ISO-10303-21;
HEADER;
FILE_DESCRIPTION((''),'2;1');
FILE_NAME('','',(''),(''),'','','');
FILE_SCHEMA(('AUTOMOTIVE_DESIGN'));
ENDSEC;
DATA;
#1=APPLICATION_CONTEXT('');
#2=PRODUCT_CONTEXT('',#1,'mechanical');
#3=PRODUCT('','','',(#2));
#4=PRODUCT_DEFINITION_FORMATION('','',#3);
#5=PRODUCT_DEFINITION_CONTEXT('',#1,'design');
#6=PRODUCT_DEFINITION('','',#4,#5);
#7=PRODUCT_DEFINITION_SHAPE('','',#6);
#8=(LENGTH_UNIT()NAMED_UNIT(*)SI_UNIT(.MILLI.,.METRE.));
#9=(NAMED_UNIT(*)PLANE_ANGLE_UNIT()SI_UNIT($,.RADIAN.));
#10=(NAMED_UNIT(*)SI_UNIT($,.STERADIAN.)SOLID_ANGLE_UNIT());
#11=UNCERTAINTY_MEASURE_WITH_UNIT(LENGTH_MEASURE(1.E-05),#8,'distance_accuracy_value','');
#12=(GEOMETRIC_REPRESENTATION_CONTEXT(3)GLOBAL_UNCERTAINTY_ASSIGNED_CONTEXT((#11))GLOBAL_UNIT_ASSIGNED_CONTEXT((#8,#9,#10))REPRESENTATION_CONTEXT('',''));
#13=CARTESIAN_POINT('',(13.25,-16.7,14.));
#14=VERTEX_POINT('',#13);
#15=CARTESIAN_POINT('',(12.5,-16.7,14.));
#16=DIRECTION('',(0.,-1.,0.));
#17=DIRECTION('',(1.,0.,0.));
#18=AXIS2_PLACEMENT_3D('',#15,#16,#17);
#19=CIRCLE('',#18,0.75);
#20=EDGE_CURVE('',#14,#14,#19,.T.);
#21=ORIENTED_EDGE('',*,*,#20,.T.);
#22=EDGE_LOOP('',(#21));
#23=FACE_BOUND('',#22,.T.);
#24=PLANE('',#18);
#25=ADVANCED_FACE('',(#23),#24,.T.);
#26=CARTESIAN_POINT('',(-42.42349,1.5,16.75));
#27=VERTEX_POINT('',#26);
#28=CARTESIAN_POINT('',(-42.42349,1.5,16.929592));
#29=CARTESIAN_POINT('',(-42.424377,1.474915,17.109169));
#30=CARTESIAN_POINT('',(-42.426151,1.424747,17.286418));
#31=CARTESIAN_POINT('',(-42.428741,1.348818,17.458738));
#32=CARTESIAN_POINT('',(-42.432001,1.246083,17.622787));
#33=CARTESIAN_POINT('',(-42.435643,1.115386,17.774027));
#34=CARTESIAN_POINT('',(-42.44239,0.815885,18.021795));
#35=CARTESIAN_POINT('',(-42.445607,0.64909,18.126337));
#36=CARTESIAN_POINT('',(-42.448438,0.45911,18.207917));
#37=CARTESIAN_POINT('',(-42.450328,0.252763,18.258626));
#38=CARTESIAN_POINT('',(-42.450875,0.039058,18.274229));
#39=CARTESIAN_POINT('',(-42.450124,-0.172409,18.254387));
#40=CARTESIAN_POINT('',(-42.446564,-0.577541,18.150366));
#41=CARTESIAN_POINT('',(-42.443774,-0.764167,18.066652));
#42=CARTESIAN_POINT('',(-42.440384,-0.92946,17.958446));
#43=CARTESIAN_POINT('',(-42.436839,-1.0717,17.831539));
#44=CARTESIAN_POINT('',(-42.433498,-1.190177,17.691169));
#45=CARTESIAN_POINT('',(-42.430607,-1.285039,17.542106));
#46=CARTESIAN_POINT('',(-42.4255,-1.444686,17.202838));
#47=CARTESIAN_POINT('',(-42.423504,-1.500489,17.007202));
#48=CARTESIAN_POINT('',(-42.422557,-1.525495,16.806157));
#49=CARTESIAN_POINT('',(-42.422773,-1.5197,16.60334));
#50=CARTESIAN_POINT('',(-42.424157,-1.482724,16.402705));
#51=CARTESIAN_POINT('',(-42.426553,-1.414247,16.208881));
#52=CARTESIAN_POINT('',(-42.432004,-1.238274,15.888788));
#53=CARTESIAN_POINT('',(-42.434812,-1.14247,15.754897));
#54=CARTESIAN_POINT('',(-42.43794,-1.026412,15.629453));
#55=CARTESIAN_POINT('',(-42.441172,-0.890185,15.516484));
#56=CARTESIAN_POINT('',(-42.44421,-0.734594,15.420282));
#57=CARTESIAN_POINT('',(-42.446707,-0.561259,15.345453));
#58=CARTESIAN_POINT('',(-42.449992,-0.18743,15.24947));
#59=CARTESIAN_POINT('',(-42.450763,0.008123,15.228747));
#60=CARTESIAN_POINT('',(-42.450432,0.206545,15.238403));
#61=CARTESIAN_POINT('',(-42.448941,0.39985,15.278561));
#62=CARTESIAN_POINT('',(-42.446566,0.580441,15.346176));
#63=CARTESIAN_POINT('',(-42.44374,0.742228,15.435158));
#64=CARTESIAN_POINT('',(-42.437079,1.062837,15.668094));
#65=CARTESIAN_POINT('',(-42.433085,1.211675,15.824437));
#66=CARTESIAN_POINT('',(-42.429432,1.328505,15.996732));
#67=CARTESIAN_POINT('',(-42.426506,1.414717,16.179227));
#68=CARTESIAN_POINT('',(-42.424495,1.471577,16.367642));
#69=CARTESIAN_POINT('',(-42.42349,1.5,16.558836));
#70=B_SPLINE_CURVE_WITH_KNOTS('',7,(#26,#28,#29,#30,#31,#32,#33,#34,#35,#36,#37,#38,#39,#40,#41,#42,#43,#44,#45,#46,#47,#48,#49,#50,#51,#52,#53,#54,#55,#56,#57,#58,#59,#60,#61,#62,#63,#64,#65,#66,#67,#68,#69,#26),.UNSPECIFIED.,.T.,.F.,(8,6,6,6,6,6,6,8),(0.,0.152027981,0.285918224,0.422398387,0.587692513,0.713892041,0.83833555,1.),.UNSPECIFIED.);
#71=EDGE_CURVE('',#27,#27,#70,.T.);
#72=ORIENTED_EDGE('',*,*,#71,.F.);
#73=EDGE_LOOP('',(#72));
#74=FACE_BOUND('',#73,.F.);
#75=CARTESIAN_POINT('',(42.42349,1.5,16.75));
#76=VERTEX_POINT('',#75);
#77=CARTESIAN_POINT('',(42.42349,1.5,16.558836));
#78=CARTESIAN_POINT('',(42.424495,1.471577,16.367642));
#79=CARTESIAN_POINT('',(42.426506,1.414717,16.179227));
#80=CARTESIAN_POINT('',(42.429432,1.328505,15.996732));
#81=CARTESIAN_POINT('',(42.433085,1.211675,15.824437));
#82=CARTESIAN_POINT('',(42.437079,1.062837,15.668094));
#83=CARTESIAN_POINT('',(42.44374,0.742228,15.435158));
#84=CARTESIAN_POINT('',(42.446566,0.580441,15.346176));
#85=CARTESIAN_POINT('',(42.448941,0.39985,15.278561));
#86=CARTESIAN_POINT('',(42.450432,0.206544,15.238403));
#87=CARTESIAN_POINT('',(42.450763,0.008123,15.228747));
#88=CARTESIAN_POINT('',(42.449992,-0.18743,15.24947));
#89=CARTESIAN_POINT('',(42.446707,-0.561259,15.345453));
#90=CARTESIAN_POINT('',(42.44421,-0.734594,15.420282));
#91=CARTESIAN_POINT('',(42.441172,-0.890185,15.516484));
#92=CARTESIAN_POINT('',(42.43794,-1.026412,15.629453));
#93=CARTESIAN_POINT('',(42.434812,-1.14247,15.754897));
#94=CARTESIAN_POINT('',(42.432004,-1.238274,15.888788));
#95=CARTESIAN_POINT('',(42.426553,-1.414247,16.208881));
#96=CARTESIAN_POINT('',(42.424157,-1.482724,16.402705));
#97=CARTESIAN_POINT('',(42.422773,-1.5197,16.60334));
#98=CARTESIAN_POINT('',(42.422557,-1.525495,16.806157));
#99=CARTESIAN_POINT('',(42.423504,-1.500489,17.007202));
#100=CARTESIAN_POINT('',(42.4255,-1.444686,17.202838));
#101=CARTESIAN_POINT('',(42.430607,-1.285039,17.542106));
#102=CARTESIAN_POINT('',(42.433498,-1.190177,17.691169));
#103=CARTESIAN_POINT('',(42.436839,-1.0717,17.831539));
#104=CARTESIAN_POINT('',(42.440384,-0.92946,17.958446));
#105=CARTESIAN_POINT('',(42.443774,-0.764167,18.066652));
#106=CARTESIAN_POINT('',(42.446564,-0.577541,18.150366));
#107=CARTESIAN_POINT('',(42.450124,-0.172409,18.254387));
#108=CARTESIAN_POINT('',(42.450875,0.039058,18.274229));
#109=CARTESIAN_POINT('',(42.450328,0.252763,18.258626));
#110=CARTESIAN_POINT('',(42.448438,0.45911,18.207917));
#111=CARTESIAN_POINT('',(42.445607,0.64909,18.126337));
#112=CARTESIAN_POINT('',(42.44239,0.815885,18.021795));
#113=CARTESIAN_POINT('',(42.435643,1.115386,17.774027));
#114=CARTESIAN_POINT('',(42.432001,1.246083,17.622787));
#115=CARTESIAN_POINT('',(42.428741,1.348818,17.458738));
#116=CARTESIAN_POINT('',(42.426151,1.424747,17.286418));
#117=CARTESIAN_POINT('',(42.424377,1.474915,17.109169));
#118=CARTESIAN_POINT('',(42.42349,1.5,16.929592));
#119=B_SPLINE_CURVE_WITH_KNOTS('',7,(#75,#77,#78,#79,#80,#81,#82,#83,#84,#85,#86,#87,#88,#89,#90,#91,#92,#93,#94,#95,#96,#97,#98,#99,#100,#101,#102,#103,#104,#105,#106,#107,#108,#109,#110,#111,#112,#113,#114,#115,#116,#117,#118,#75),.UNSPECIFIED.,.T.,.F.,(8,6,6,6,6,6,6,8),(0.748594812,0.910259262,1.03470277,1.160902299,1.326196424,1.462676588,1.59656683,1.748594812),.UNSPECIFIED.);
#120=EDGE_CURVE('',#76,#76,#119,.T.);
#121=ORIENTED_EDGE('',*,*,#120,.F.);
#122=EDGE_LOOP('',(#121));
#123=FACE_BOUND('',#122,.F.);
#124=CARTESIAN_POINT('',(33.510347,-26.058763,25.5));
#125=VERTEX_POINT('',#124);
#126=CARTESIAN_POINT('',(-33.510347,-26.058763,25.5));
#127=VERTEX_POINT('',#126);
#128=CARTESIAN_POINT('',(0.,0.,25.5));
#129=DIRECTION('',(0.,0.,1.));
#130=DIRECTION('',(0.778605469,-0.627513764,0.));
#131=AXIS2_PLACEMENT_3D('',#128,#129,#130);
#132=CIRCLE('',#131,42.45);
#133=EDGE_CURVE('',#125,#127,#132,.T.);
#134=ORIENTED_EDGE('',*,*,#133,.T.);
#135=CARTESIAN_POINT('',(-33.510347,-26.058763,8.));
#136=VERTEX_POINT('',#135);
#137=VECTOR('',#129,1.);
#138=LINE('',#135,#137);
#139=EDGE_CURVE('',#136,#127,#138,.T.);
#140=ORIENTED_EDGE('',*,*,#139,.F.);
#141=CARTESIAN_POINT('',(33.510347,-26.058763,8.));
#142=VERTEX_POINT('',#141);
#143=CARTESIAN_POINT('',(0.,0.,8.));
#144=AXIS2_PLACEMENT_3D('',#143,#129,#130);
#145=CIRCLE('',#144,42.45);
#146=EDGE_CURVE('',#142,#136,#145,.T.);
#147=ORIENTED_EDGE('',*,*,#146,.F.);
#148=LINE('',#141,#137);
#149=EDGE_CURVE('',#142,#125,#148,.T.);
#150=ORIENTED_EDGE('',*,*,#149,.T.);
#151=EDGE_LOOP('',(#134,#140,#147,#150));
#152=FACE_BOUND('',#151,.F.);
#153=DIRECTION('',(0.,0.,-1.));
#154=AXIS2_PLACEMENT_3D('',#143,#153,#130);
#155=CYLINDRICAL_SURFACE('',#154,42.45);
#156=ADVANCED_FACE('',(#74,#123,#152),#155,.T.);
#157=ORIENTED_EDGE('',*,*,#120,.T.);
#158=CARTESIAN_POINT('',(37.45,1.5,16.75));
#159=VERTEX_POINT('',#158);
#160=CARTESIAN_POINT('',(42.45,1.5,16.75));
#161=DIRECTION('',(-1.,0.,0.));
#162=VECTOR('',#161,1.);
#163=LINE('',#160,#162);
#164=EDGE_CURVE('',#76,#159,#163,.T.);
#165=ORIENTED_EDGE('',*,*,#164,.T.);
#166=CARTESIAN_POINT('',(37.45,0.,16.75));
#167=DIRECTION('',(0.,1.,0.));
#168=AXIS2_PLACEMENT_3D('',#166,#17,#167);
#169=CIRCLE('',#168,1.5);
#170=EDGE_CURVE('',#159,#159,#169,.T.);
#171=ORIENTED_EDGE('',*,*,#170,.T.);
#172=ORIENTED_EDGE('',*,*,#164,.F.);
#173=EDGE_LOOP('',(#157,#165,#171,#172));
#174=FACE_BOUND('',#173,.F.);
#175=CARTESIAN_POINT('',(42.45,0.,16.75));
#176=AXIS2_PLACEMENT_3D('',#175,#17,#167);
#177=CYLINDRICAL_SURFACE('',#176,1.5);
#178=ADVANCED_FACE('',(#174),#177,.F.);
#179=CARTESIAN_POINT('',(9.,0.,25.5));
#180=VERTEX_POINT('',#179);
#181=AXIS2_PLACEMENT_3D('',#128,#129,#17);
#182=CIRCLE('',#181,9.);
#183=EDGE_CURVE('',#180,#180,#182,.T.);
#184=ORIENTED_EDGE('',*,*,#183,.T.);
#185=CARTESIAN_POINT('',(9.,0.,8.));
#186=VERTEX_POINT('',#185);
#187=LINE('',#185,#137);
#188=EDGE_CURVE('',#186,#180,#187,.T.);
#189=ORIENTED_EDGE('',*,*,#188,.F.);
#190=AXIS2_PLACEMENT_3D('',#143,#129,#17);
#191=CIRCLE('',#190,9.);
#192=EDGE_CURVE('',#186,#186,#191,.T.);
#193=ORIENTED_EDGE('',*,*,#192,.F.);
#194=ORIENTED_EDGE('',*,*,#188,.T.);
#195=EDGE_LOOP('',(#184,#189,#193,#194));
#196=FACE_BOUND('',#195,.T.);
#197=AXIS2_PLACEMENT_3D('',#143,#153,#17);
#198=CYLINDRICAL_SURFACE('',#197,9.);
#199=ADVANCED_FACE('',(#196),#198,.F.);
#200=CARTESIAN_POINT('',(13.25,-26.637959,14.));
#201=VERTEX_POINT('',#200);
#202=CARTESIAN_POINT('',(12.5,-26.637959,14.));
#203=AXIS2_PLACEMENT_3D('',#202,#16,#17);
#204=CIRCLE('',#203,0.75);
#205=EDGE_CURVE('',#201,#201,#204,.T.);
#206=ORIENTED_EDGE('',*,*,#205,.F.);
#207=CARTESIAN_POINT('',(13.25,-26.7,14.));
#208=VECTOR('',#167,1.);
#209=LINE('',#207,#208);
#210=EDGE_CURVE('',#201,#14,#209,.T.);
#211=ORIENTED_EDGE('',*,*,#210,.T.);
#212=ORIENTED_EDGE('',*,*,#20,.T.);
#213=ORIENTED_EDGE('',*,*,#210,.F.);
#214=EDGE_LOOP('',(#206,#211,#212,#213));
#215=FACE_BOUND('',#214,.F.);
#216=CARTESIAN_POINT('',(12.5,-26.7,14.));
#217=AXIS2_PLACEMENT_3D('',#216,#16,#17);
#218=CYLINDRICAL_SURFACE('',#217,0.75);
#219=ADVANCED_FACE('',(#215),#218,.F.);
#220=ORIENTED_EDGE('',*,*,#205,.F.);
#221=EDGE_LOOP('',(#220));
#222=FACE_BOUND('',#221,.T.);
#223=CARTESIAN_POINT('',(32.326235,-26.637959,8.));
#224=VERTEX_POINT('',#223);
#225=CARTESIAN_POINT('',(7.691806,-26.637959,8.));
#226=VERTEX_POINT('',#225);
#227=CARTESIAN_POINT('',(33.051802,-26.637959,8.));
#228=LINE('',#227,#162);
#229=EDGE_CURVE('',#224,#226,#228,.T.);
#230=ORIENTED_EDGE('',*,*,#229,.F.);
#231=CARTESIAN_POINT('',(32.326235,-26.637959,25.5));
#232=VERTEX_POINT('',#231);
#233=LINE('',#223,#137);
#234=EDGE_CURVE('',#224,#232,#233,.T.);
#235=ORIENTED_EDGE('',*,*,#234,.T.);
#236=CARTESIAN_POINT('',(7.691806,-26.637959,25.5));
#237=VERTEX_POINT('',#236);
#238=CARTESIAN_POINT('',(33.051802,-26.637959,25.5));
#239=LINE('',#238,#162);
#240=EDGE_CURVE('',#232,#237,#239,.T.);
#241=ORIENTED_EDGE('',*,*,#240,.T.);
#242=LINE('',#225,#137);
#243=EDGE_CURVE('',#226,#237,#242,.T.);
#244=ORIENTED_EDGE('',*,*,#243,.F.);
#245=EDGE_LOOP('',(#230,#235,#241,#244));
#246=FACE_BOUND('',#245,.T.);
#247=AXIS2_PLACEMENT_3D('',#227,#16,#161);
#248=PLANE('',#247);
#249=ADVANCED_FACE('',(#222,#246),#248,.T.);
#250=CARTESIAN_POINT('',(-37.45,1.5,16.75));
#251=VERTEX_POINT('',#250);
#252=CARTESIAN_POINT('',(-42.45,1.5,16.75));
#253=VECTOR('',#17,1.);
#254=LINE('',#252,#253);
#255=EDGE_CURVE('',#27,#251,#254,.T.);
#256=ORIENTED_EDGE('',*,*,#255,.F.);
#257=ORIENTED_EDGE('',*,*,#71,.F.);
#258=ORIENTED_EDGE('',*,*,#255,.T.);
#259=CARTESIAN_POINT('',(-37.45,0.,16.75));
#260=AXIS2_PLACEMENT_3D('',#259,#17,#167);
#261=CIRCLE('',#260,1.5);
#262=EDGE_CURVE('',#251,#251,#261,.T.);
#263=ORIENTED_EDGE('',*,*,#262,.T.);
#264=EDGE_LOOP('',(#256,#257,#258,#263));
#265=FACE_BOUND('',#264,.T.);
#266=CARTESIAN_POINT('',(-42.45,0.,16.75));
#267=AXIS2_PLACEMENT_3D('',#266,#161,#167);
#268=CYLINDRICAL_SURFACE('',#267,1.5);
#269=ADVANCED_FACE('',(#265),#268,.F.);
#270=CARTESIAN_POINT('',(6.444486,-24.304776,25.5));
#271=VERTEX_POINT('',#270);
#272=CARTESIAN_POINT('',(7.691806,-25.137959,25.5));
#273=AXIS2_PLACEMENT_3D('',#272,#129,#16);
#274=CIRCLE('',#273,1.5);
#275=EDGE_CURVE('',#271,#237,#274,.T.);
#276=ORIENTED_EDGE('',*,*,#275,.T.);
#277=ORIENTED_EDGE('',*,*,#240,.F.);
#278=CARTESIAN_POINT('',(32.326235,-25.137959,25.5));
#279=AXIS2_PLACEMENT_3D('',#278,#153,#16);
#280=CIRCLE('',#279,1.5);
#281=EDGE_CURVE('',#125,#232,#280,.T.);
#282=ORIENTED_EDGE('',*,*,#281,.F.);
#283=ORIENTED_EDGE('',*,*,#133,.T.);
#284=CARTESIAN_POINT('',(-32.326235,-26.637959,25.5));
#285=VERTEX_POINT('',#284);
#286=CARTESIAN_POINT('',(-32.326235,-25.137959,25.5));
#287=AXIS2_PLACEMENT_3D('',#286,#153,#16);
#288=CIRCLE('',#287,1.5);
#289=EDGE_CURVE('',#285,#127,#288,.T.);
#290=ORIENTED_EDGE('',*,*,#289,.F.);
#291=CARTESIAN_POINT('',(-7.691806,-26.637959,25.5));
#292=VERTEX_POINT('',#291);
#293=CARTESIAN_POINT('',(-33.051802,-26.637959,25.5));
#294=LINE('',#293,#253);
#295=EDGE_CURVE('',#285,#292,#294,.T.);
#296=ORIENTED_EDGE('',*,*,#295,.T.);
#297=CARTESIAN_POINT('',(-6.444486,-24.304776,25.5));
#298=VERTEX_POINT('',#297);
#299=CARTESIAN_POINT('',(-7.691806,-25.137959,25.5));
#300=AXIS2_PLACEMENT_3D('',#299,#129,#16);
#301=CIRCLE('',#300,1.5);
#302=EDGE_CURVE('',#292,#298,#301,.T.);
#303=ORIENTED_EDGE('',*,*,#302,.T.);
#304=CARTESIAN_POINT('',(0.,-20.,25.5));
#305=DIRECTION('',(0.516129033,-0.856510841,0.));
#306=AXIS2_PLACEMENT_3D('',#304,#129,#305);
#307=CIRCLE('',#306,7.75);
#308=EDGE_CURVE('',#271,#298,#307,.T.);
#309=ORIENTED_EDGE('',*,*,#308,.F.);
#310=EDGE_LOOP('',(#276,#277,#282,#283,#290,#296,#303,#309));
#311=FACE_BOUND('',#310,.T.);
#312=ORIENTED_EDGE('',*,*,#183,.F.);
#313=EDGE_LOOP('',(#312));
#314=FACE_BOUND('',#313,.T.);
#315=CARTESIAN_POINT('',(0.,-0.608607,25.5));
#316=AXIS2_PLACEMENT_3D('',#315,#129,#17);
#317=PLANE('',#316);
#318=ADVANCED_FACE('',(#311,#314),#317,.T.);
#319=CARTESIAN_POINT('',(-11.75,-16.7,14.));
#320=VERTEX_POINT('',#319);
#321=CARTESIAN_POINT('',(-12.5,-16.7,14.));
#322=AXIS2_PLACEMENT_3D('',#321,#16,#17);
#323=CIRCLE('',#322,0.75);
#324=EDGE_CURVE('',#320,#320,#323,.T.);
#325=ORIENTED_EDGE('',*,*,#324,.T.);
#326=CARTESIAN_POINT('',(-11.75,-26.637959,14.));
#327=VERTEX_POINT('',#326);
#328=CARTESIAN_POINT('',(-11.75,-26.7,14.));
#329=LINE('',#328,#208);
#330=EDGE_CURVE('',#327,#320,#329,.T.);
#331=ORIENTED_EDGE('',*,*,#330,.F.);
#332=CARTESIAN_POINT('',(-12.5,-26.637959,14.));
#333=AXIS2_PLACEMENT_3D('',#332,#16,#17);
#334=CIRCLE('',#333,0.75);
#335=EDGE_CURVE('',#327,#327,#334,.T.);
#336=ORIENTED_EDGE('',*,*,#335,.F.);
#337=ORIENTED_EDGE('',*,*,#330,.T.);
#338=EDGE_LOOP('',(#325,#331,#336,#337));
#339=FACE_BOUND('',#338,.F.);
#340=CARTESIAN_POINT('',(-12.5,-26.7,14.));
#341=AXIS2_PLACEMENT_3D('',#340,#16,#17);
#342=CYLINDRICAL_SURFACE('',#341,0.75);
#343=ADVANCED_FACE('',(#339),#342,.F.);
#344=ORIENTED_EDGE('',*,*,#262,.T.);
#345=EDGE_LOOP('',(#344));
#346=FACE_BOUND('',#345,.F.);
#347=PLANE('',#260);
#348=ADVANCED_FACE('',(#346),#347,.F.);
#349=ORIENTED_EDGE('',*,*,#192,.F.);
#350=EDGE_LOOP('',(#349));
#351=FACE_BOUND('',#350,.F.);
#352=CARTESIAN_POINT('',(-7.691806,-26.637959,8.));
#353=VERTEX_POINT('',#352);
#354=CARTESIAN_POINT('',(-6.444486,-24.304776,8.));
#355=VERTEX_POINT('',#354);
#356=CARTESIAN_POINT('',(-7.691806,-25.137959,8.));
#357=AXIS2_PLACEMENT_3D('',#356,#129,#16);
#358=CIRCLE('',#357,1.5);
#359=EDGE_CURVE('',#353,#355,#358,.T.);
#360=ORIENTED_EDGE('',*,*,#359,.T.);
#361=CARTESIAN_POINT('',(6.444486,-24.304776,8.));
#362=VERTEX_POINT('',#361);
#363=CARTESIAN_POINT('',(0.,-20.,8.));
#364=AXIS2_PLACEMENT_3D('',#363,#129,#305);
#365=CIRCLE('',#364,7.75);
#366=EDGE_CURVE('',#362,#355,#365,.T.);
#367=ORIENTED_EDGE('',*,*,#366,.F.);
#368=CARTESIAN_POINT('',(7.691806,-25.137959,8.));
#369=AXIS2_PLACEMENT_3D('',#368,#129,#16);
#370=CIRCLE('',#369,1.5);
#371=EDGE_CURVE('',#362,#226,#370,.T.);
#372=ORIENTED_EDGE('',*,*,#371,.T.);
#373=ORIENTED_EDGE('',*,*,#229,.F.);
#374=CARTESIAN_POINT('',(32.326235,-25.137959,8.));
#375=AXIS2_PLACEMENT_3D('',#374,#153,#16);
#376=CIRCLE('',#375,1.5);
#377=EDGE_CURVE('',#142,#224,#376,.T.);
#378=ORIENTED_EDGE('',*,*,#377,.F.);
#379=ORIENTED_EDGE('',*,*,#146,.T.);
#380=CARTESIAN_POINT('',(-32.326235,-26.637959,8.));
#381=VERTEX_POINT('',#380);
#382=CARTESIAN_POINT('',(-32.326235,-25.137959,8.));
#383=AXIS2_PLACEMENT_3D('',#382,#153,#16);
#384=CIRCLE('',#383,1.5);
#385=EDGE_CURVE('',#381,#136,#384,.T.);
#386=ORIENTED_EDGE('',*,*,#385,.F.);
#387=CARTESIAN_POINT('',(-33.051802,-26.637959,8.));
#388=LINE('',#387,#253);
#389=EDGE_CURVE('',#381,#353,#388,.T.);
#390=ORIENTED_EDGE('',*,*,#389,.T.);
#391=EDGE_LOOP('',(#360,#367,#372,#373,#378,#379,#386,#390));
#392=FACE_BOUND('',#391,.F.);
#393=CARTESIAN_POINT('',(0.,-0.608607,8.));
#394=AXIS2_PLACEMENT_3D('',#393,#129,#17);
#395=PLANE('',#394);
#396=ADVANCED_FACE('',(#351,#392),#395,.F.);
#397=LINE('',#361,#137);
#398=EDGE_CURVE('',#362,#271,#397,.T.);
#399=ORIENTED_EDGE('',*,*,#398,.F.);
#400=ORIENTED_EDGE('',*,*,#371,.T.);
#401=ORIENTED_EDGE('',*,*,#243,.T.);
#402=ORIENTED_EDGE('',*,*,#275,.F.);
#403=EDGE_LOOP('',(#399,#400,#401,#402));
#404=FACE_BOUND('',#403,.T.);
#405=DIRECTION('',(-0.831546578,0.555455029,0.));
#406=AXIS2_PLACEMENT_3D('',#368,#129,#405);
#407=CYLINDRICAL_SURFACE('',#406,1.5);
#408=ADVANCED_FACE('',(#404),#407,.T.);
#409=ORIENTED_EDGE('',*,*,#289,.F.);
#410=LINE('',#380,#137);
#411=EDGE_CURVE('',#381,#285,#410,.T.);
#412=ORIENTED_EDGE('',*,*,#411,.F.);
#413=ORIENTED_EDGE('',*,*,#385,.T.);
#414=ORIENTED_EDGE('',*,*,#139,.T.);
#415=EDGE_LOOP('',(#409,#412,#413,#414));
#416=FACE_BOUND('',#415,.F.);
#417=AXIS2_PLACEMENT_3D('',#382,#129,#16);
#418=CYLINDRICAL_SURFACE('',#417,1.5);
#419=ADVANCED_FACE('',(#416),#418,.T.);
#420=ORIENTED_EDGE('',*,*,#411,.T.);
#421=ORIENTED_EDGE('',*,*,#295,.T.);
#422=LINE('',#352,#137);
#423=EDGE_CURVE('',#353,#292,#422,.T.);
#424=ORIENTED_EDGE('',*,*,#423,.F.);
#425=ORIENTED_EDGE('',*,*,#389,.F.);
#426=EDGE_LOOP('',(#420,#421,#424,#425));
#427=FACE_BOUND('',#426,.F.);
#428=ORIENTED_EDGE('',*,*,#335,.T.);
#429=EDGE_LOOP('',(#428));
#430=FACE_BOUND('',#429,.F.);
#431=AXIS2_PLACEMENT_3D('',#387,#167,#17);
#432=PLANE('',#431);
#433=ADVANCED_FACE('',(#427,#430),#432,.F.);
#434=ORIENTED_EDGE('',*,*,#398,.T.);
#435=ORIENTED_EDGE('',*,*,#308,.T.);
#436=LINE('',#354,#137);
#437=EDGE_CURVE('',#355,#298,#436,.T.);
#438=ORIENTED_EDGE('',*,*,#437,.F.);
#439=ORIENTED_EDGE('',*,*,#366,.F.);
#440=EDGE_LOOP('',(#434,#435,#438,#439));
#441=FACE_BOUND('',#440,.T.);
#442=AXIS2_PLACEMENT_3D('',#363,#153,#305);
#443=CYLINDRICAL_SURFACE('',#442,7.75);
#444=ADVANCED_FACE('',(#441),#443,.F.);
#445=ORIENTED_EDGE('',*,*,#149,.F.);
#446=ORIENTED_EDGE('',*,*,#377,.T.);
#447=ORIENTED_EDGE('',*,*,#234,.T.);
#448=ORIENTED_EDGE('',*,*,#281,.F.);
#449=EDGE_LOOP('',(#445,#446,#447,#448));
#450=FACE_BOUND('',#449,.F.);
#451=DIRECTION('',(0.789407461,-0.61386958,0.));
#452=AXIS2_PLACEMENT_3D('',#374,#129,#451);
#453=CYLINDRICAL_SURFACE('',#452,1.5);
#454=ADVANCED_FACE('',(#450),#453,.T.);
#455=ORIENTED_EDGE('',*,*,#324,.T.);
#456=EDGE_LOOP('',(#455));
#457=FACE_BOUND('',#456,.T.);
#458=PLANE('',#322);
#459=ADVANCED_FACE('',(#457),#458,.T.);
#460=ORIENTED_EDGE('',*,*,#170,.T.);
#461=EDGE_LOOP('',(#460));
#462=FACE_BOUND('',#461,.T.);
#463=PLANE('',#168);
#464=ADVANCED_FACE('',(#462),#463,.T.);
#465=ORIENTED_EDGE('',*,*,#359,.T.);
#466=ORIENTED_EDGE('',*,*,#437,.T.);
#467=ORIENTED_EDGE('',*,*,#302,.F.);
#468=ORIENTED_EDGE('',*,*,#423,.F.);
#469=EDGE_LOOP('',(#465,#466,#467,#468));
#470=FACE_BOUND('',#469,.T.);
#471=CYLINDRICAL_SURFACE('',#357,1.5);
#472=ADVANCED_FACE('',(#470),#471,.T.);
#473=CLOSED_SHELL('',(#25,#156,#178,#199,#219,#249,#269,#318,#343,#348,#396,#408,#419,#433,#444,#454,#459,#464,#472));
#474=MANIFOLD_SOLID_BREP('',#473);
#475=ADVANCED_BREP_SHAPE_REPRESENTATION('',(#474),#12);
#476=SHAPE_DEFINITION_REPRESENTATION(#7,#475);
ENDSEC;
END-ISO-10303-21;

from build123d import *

# Parameters (mm, degrees)
SKETCH007_R     = 9
PAD005_DEPTH    = 17.5
FILLET_R        = 1.5
SKETCH022_R     = 1.5
POCKET010_DEPTH = 5
SKETCH023_R     = 0.75
POCKET011_DEPTH = 10
SKETCH026_R     = 1.5
POCKET014_DEPTH = 5


with BuildPart() as part:
    # Sketch007 → Pad005 (new body)
    with BuildSketch(Plane.XY):
        with BuildLine():
            Line((-33.051802, -26.637959), (-4, -26.637959))
            ThreePointArc((4, -26.637959), (0, -12.25), (-4, -26.637959))
            Line((33.051802, -26.637959), (4, -26.637959))
            ThreePointArc((33.051802, -26.637959), (0, 42.45), (-33.051802, -26.637959))
        make_face()
        Circle(SKETCH007_R, mode=Mode.SUBTRACT)
    extrude(amount=PAD005_DEPTH)

    # Fillet
    fillet_edges = [part.edges().sort_by_distance(p)[0] for p in [
        (-4, -26.637959, 8.75),
        (4, -26.637959, 8.75),
        (-33.051802, -26.637959, 8.75),
        (33.051802, -26.637959, 8.75),
    ]]
    fillet(fillet_edges, radius=FILLET_R)

    # Sketch022 (on DatumPlane) → Pocket010 (cut)
    with BuildSketch(Plane.YZ.offset(42.45)):
        with Locations((0, 8.75)):
            Circle(SKETCH022_R)
    extrude(amount=-POCKET010_DEPTH, mode=Mode.SUBTRACT)

    # Sketch023 (on DatumPlane) → Pocket011 (cut)
    with BuildSketch(Plane.XZ.offset(26.7)):
        with Locations((12.5, 6)):
            Circle(SKETCH023_R)
        with Locations((-12.5, 6)):
            Circle(SKETCH023_R)
    extrude(amount=-POCKET011_DEPTH, mode=Mode.SUBTRACT)

    # Sketch026 (on DatumPlane) → Pocket014 (cut)
    with BuildSketch(Plane.YZ.offset(-42.45)):
        with Locations((0, 8.75)):
            Circle(SKETCH026_R)
    extrude(amount=POCKET014_DEPTH, mode=Mode.SUBTRACT)


with BuildPart() as part_1:
    # Body005 placement: moved
    add(part.part.moved(Location((0, 0, 8))))


solid = part_1.part
